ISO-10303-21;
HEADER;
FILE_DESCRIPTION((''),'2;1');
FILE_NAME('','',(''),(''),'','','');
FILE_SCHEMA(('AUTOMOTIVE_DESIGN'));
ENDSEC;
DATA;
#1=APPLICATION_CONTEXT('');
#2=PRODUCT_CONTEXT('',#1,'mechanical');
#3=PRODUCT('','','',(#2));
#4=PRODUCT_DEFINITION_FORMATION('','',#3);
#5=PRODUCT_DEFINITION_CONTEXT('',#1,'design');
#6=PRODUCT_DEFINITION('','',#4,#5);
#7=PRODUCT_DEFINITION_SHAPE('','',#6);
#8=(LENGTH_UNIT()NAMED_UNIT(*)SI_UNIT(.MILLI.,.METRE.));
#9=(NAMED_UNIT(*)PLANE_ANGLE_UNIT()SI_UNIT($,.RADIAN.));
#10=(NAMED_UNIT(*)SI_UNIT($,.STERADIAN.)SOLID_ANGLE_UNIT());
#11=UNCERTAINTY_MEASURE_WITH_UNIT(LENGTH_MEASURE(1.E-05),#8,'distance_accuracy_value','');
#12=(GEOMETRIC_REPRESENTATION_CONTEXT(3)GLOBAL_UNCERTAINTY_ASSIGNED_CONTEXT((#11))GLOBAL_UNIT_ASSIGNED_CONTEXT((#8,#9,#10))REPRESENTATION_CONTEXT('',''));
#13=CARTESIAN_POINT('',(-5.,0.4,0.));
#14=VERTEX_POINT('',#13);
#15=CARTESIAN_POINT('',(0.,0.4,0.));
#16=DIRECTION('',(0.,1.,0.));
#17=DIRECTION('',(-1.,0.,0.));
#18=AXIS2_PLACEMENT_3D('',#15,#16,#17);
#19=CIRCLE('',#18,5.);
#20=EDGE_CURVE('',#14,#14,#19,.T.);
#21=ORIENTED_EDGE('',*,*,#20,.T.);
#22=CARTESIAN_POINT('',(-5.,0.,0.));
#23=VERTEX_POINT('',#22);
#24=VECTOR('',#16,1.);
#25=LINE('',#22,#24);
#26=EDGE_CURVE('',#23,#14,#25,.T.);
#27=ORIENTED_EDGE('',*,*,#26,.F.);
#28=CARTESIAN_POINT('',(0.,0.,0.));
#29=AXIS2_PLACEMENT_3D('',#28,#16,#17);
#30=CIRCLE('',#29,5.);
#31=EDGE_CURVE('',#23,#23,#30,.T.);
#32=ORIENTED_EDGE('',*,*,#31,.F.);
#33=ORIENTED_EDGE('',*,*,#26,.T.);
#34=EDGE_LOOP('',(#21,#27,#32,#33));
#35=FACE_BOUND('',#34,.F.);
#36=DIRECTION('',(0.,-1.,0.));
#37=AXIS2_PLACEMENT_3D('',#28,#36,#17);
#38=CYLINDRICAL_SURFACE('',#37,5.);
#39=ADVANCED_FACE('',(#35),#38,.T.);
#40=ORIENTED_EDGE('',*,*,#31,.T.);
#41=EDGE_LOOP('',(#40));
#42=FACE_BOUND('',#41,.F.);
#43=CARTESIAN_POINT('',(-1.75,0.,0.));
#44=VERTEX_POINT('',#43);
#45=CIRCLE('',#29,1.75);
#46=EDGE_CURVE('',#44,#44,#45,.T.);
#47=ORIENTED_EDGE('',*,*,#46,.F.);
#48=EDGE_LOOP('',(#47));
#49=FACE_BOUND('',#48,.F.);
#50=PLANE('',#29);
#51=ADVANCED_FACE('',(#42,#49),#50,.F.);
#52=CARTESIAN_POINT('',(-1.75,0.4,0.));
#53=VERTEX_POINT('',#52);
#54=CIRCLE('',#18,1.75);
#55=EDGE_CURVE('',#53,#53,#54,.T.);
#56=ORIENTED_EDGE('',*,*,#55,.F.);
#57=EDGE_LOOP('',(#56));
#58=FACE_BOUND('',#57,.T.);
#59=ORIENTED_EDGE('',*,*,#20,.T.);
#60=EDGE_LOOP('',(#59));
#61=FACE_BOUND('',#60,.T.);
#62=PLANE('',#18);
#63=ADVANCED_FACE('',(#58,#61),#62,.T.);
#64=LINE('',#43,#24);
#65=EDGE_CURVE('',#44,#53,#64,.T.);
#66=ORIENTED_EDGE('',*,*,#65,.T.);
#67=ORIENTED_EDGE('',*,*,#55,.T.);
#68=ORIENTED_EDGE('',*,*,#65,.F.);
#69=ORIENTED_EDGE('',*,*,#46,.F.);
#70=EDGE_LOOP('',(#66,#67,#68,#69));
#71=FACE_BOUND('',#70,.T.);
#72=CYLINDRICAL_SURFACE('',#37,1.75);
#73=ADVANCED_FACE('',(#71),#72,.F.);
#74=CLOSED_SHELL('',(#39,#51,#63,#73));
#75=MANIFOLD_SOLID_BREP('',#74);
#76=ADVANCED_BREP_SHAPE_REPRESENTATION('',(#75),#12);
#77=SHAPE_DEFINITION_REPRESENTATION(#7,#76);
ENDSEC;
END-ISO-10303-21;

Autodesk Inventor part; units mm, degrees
ref_plane "YZ Plane" through (0, 0, 0) normal (1, 0, 0) x (0, 1, 0)
ref_plane "XZ Plane" through (0, 0, 0) normal (0, 1, 0) x (-1, 0, 0)
ref_plane "XY Plane" through (0, 0, 0) normal (0, 0, 1) x (1, 0, 0)
sketch "Sketch1" plane through (0, 0, 0) normal (0, 1, 0) x (-1, 0, 0)
  circle A0 centre (0, 0) radius 5
  circle A1 centre (0, 0) radius 1.75
  dimension "d0" = 3.5
  dimension "d1" = 10
extrude "Extrusion1" add sketch "Sketch1" along normal blind 0.4
properties part number "Rondella"
